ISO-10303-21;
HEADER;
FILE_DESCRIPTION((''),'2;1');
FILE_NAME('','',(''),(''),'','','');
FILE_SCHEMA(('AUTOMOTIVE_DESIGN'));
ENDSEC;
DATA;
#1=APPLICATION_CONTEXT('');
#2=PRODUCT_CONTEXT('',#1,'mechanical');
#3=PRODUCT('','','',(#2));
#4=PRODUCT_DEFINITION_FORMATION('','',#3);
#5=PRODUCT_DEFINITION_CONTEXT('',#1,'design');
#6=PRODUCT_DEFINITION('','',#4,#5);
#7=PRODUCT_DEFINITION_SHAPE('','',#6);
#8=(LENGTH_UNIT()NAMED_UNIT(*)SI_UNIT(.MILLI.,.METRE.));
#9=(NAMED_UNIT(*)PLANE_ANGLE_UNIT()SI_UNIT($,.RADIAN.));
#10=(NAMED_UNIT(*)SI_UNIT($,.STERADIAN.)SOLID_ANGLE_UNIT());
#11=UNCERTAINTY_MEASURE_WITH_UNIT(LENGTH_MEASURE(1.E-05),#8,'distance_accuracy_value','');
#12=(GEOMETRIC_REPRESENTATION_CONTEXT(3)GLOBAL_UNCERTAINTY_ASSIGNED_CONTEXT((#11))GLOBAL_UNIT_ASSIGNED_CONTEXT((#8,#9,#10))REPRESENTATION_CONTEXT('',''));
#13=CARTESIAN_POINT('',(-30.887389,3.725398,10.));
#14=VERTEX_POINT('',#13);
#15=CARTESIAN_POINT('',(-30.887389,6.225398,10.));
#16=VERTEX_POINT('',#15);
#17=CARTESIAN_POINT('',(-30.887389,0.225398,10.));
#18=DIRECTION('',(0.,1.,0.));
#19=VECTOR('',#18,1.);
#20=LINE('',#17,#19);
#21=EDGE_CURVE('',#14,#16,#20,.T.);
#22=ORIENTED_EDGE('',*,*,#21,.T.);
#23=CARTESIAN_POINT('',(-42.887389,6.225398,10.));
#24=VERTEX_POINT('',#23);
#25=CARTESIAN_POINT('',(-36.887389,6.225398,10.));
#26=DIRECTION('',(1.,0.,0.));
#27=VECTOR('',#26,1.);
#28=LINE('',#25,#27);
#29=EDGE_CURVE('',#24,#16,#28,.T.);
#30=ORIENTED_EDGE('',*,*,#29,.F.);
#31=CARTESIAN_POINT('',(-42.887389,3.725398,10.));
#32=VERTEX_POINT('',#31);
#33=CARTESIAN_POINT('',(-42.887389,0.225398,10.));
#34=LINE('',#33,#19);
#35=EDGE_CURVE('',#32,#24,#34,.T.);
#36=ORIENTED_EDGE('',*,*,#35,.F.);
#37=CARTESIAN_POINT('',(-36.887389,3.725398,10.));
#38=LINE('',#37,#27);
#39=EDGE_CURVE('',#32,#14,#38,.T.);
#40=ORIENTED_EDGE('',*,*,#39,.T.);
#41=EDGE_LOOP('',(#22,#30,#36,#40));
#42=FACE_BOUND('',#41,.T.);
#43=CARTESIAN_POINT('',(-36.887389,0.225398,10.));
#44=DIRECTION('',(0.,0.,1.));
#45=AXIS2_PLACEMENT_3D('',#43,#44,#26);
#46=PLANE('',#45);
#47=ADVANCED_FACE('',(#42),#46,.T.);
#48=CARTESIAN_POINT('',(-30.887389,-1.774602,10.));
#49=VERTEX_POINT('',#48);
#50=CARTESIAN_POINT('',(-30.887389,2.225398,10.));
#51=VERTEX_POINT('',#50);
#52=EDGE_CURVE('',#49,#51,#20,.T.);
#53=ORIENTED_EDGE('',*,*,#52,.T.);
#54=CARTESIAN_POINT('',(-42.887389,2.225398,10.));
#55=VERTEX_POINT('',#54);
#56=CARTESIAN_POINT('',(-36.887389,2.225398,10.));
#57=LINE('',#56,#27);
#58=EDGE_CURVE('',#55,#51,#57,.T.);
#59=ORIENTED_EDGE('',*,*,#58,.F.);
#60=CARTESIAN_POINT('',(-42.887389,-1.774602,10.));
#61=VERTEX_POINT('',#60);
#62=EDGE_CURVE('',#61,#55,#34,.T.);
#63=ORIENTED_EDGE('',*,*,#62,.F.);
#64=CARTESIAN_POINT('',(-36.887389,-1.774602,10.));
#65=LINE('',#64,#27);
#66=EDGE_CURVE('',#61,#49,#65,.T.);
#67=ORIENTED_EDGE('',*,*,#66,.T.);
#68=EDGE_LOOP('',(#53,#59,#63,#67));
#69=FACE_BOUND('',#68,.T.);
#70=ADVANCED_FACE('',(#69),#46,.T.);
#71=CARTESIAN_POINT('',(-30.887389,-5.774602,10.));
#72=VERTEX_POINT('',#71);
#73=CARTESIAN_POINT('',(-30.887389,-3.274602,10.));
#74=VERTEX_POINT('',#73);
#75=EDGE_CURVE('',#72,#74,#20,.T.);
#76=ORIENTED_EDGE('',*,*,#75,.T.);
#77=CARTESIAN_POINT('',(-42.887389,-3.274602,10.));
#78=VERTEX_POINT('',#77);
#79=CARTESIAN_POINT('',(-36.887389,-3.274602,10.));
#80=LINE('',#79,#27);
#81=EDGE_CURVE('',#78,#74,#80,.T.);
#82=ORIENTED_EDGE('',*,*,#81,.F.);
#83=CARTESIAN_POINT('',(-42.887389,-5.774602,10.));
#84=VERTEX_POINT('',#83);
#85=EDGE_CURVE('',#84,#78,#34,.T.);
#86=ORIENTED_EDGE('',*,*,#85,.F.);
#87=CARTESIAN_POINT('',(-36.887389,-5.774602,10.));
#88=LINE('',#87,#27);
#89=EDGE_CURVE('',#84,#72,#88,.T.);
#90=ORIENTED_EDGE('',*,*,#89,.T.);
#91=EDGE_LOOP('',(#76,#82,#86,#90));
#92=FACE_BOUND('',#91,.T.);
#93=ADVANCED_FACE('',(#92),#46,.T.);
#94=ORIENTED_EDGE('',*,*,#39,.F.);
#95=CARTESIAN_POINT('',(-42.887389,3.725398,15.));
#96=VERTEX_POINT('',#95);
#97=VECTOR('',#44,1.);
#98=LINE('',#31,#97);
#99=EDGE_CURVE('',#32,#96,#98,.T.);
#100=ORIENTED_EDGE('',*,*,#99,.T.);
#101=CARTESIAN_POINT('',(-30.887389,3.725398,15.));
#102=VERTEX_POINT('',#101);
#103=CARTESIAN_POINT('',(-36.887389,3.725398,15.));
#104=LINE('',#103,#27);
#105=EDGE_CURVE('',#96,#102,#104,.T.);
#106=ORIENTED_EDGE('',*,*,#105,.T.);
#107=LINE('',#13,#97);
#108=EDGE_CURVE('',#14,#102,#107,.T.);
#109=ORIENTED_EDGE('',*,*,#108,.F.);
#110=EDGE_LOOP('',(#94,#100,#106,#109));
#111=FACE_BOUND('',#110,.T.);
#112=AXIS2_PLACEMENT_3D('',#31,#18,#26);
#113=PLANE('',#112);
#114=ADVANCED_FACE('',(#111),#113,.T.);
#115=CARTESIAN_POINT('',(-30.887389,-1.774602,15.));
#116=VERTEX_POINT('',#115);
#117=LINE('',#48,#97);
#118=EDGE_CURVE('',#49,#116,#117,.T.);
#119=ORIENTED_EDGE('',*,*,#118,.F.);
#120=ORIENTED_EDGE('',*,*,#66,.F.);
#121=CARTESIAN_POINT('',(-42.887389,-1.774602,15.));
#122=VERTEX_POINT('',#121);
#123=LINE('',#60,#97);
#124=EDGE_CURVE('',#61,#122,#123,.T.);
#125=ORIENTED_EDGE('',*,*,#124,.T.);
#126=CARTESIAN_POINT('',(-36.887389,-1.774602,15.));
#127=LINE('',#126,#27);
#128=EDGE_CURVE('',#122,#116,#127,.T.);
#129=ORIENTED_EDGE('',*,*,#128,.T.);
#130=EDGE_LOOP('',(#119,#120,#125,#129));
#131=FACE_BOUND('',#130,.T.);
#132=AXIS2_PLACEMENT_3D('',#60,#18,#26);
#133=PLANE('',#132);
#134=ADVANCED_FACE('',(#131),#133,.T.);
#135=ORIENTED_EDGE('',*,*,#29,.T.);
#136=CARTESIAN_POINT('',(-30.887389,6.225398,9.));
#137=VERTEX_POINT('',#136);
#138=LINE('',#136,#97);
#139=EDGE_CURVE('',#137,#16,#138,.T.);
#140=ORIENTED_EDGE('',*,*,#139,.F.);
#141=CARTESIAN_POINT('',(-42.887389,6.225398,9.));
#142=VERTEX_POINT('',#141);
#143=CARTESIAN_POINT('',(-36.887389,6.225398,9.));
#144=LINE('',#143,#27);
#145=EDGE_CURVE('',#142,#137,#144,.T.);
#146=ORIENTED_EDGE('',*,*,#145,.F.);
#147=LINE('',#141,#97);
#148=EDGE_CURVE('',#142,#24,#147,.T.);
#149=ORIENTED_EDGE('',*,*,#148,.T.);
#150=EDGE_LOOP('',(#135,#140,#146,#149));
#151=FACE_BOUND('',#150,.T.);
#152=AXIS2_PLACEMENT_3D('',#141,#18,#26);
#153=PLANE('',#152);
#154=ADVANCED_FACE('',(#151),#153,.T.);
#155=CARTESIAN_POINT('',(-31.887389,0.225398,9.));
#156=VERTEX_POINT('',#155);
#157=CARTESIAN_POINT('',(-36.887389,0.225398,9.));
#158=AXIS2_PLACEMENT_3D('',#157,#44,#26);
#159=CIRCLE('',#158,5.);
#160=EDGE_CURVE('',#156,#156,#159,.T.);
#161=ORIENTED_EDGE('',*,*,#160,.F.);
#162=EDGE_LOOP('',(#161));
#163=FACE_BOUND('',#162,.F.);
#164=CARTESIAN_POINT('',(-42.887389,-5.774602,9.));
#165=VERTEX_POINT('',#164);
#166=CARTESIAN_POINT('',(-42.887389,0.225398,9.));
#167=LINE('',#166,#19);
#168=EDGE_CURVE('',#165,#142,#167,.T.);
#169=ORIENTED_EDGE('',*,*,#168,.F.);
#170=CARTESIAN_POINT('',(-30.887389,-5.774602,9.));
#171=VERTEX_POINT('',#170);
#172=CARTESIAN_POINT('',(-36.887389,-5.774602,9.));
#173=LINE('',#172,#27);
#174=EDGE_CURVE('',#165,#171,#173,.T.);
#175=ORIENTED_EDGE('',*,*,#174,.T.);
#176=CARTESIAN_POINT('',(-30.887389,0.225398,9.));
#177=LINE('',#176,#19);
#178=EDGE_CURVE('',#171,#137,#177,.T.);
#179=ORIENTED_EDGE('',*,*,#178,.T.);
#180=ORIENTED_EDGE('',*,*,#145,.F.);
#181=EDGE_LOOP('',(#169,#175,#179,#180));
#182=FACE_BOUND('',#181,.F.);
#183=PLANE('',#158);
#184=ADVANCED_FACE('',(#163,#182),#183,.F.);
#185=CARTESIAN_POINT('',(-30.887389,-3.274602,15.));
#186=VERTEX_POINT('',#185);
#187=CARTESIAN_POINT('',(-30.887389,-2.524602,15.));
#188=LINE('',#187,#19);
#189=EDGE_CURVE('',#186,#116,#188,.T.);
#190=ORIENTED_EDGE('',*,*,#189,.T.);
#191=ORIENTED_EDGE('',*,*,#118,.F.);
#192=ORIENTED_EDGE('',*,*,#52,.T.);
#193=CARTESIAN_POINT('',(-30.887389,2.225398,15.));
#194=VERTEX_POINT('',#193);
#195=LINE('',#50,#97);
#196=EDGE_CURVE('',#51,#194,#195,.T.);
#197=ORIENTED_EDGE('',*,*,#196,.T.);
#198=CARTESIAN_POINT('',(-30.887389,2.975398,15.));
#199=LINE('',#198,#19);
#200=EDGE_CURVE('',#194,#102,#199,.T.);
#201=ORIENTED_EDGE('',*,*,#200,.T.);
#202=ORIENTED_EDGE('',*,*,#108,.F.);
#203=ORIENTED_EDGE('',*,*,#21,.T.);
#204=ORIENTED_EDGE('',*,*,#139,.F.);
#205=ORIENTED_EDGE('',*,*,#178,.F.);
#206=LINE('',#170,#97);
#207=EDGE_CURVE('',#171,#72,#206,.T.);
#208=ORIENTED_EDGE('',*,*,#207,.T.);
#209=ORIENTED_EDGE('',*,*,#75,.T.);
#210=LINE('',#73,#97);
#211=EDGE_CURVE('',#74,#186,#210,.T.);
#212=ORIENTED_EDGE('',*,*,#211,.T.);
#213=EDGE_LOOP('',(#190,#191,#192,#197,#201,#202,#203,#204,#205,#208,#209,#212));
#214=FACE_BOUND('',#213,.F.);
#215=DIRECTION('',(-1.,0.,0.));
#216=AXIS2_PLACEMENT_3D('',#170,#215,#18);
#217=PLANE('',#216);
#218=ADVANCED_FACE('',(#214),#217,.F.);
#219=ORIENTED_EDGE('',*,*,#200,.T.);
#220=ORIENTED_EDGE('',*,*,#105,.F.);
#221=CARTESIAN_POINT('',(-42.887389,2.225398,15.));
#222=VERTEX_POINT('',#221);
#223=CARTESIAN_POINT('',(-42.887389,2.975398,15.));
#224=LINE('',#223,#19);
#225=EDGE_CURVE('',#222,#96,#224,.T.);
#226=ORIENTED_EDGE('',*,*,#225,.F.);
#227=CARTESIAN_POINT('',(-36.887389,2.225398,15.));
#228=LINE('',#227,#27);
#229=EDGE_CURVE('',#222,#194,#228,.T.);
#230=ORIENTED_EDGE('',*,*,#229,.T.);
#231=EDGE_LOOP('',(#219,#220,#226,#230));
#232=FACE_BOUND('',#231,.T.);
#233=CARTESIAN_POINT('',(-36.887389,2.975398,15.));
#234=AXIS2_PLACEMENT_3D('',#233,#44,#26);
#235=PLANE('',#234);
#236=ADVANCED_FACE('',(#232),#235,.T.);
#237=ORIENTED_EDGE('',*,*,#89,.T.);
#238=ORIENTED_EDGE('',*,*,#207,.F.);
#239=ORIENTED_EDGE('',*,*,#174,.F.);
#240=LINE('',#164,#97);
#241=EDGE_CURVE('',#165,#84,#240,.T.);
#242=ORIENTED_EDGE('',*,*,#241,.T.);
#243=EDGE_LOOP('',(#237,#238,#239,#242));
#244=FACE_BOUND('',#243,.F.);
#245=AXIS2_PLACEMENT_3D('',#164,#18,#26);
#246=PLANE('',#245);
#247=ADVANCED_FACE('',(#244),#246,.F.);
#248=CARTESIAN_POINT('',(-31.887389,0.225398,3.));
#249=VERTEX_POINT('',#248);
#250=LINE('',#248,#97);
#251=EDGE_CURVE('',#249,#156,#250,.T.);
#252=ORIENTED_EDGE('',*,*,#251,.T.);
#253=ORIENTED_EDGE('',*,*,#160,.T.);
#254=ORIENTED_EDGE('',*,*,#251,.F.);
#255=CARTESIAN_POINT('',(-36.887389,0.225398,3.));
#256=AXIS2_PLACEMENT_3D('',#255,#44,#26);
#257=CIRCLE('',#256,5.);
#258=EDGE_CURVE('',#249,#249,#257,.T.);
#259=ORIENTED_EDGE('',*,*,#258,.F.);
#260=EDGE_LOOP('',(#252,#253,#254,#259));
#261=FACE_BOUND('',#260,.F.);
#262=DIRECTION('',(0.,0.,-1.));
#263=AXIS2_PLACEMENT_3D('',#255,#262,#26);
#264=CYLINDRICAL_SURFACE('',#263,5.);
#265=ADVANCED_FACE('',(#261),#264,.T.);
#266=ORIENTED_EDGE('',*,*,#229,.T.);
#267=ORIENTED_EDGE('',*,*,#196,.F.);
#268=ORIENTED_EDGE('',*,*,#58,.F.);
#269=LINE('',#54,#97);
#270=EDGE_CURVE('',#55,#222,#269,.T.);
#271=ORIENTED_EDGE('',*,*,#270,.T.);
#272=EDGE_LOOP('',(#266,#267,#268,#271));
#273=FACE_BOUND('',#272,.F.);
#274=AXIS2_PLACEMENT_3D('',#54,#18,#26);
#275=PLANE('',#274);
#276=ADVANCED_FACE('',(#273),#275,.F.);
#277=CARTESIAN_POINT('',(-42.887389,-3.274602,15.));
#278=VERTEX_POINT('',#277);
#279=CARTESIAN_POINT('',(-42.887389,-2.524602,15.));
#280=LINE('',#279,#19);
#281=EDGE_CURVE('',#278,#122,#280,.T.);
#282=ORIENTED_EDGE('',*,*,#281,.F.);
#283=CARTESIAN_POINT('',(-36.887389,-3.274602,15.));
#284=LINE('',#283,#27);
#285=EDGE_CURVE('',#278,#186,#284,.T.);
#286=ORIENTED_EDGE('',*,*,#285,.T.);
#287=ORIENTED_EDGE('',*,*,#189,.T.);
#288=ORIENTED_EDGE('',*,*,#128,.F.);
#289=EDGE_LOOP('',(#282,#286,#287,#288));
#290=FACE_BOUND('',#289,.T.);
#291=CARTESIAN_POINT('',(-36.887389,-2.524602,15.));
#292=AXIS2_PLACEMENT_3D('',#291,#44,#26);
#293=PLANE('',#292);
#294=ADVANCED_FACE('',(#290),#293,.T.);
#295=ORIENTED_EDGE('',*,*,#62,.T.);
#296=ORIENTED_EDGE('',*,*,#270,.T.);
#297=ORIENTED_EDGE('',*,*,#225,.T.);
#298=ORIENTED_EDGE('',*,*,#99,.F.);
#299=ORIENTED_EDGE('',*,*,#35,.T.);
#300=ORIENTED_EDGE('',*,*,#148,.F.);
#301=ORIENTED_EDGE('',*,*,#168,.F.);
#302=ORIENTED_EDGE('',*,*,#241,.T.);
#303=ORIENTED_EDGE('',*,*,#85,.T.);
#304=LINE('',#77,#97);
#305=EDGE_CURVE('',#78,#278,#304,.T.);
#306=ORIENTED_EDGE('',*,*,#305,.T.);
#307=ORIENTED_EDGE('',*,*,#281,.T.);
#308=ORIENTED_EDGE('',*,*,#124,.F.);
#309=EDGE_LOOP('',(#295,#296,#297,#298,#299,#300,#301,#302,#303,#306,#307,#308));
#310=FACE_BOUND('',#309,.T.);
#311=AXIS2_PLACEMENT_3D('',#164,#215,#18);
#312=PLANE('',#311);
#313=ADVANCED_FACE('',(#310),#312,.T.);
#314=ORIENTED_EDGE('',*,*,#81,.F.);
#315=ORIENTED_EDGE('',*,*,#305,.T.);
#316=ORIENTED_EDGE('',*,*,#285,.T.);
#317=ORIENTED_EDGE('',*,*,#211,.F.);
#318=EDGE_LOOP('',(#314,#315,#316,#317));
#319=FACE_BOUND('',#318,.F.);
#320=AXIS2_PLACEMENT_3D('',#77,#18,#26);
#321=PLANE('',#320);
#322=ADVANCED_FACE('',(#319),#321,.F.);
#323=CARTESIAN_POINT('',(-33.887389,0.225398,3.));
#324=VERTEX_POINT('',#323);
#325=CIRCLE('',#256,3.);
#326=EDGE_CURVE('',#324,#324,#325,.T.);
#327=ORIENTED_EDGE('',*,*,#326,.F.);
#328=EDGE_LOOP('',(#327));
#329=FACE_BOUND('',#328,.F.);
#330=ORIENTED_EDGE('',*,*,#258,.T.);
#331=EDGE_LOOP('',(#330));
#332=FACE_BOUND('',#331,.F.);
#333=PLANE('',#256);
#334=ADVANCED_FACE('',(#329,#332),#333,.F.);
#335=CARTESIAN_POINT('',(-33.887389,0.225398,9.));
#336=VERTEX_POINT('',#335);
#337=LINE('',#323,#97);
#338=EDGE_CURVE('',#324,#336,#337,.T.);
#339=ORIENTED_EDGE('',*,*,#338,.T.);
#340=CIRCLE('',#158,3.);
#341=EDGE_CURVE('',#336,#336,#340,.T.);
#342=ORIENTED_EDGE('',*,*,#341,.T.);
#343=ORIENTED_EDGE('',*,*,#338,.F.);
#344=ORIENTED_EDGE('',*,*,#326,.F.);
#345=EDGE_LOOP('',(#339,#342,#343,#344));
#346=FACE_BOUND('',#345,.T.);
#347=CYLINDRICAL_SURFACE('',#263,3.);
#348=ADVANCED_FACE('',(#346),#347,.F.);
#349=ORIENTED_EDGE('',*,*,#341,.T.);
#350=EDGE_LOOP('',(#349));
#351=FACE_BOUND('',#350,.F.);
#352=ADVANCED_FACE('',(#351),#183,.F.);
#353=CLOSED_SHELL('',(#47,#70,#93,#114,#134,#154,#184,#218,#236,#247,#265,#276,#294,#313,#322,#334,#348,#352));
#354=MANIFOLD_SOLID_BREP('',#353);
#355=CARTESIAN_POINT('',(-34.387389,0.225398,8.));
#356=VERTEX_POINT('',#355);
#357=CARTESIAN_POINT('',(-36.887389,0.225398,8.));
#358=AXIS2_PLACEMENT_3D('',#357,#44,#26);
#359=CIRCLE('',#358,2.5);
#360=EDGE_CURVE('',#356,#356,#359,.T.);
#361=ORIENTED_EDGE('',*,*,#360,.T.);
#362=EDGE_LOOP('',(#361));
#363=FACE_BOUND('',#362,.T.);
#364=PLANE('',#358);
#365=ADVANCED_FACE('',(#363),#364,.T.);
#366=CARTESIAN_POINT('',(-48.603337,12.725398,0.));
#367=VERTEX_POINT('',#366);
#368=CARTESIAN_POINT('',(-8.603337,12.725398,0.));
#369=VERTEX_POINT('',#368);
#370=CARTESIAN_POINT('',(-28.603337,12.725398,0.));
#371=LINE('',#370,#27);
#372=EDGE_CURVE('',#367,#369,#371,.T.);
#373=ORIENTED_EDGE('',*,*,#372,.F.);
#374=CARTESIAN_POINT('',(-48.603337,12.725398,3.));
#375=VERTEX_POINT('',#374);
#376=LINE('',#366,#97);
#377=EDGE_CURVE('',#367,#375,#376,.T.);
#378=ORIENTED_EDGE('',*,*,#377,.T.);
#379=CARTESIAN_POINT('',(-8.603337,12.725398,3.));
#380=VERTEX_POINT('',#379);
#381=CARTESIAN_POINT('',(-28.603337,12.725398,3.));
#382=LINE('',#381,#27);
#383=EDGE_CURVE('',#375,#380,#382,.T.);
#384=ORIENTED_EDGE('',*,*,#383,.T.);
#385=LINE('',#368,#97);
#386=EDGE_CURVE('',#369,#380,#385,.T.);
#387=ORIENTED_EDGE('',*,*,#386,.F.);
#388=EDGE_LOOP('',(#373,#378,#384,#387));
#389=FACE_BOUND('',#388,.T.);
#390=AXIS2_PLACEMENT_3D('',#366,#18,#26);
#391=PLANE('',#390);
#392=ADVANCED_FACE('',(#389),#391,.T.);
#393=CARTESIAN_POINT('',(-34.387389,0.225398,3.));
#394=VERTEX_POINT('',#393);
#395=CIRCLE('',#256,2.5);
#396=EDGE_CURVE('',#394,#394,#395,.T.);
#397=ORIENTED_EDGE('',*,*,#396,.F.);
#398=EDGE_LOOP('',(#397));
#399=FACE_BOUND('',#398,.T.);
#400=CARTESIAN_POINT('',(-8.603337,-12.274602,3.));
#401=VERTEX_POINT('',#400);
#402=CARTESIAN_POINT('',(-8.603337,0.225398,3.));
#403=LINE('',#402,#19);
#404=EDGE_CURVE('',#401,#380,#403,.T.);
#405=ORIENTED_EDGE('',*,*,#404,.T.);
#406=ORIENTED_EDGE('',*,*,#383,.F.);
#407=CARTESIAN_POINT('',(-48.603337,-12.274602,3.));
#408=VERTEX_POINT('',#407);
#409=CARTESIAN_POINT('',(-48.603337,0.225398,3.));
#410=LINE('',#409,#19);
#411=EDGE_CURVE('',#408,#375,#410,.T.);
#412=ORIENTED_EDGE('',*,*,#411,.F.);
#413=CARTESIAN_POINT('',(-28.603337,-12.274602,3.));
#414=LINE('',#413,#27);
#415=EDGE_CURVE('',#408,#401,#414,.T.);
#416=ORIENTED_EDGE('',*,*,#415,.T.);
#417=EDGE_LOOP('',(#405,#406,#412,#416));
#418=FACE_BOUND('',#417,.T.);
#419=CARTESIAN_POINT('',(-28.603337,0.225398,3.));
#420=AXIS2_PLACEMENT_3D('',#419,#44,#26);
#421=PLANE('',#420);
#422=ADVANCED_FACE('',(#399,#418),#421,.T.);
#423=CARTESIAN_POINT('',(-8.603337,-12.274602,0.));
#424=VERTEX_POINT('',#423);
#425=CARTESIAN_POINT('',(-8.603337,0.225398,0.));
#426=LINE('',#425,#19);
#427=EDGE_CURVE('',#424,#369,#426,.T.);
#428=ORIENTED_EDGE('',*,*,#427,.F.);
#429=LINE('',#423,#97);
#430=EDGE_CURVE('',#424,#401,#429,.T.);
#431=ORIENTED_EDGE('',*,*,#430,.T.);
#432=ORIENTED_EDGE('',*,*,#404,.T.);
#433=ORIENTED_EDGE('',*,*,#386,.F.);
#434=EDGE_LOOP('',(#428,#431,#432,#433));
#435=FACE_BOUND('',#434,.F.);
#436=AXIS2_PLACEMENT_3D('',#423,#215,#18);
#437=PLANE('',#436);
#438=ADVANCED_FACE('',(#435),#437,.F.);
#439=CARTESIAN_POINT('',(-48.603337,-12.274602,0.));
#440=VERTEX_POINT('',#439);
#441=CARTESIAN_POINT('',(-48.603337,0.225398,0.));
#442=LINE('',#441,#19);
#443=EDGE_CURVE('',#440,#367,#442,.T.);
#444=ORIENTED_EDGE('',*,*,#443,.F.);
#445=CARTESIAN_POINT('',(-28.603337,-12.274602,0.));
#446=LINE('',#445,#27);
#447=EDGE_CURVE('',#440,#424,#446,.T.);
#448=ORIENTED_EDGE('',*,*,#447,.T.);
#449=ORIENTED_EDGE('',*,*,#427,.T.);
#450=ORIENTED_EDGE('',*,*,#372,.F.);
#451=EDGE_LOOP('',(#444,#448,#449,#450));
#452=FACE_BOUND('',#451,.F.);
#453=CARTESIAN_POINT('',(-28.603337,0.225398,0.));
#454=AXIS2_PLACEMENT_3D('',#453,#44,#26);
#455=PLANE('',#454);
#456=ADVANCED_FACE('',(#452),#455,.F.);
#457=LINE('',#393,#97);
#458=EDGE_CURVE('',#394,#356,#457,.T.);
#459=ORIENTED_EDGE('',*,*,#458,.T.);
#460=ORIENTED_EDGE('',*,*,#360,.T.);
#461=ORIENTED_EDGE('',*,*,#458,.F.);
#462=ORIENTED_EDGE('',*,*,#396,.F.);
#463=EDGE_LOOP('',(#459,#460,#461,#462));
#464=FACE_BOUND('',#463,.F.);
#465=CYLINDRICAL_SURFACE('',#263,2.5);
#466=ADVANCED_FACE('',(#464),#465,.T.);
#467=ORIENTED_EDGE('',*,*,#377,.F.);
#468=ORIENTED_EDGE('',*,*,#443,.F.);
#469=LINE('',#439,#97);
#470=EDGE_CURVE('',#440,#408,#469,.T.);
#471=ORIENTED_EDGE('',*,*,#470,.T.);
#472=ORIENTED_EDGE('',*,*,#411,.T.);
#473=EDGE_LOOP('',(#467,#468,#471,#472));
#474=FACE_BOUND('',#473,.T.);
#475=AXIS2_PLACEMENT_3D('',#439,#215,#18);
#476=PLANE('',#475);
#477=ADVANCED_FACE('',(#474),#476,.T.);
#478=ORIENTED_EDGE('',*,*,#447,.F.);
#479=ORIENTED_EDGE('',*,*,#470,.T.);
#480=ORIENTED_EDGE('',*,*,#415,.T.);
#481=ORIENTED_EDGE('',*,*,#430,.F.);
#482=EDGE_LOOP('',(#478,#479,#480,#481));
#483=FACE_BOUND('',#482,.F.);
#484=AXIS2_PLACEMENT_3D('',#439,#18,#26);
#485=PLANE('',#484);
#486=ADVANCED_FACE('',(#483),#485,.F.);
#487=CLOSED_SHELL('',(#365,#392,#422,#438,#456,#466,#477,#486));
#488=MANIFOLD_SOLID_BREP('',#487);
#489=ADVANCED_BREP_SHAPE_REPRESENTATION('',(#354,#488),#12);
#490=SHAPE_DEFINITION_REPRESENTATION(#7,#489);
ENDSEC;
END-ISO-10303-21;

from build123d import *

# Parameters (mm, degrees)
F0_W     = 40
F0_H     = 25
F1_DEPTH = 3
F2_R     = 2.5
F3_DEPTH = 5
F4_R     = 5
F4_R_2   = 3
F5_DEPTH = 6
F6_W     = 12
F6_H     = 12
F6_R     = 5
F6_R_2   = 3
F7_DEPTH = 1
F8_W     = 12
F8_H     = 1.5
F9_DEPTH = 5


with BuildPart() as f1:
    # F0 (on Top) → F1 (new body)
    with BuildSketch(Plane.XY):
        with Locations((-28.603337, 0.225398)):
            Rectangle(F0_W, F0_H)
    extrude(amount=F1_DEPTH)

    # F2 (on face) → F3 (join)
    with BuildSketch(Plane.XY.offset(3)):
        with Locations((-36.887389, 0.225398)):
            Circle(F2_R)
    extrude(amount=F3_DEPTH)


with BuildPart() as f5:
    # F4 (on face) → F5 (new body)
    with BuildSketch(Plane.XY.offset(3)):
        with Locations((-36.887389, 0.225398)):
            Circle(F4_R)
        with Locations((-36.887389, 0.225398)):
            Circle(F4_R_2, mode=Mode.SUBTRACT)
    extrude(amount=F5_DEPTH)

    # F6 (on face) → F7 (join)
    with BuildSketch(Plane.XY.offset(9)):
        with Locations((-36.887389, 0.225398)):
            Rectangle(F6_W, F6_H)
        with Locations((-36.887389, 0.225398)):
            Circle(F6_R, mode=Mode.SUBTRACT)
        with Locations((-36.887389, 0.225398)):
            Circle(F6_R)
        with Locations((-36.887389, 0.225398)):
            Circle(F6_R_2, mode=Mode.SUBTRACT)
        with Locations((-36.887389, 0.225398)):
            Circle(F6_R_2)
    extrude(amount=F7_DEPTH)

    # F8 (on face) → F9 (join)
    with BuildSketch(Plane.XY.offset(10)):
        with Locations((-36.887389, 2.975398)):
            Rectangle(F8_W, F8_H)
        with Locations((-36.887389, -2.524602)):
            Rectangle(F8_W, F8_H)
    extrude(amount=F9_DEPTH)


solid = Compound([f1.part, f5.part])
